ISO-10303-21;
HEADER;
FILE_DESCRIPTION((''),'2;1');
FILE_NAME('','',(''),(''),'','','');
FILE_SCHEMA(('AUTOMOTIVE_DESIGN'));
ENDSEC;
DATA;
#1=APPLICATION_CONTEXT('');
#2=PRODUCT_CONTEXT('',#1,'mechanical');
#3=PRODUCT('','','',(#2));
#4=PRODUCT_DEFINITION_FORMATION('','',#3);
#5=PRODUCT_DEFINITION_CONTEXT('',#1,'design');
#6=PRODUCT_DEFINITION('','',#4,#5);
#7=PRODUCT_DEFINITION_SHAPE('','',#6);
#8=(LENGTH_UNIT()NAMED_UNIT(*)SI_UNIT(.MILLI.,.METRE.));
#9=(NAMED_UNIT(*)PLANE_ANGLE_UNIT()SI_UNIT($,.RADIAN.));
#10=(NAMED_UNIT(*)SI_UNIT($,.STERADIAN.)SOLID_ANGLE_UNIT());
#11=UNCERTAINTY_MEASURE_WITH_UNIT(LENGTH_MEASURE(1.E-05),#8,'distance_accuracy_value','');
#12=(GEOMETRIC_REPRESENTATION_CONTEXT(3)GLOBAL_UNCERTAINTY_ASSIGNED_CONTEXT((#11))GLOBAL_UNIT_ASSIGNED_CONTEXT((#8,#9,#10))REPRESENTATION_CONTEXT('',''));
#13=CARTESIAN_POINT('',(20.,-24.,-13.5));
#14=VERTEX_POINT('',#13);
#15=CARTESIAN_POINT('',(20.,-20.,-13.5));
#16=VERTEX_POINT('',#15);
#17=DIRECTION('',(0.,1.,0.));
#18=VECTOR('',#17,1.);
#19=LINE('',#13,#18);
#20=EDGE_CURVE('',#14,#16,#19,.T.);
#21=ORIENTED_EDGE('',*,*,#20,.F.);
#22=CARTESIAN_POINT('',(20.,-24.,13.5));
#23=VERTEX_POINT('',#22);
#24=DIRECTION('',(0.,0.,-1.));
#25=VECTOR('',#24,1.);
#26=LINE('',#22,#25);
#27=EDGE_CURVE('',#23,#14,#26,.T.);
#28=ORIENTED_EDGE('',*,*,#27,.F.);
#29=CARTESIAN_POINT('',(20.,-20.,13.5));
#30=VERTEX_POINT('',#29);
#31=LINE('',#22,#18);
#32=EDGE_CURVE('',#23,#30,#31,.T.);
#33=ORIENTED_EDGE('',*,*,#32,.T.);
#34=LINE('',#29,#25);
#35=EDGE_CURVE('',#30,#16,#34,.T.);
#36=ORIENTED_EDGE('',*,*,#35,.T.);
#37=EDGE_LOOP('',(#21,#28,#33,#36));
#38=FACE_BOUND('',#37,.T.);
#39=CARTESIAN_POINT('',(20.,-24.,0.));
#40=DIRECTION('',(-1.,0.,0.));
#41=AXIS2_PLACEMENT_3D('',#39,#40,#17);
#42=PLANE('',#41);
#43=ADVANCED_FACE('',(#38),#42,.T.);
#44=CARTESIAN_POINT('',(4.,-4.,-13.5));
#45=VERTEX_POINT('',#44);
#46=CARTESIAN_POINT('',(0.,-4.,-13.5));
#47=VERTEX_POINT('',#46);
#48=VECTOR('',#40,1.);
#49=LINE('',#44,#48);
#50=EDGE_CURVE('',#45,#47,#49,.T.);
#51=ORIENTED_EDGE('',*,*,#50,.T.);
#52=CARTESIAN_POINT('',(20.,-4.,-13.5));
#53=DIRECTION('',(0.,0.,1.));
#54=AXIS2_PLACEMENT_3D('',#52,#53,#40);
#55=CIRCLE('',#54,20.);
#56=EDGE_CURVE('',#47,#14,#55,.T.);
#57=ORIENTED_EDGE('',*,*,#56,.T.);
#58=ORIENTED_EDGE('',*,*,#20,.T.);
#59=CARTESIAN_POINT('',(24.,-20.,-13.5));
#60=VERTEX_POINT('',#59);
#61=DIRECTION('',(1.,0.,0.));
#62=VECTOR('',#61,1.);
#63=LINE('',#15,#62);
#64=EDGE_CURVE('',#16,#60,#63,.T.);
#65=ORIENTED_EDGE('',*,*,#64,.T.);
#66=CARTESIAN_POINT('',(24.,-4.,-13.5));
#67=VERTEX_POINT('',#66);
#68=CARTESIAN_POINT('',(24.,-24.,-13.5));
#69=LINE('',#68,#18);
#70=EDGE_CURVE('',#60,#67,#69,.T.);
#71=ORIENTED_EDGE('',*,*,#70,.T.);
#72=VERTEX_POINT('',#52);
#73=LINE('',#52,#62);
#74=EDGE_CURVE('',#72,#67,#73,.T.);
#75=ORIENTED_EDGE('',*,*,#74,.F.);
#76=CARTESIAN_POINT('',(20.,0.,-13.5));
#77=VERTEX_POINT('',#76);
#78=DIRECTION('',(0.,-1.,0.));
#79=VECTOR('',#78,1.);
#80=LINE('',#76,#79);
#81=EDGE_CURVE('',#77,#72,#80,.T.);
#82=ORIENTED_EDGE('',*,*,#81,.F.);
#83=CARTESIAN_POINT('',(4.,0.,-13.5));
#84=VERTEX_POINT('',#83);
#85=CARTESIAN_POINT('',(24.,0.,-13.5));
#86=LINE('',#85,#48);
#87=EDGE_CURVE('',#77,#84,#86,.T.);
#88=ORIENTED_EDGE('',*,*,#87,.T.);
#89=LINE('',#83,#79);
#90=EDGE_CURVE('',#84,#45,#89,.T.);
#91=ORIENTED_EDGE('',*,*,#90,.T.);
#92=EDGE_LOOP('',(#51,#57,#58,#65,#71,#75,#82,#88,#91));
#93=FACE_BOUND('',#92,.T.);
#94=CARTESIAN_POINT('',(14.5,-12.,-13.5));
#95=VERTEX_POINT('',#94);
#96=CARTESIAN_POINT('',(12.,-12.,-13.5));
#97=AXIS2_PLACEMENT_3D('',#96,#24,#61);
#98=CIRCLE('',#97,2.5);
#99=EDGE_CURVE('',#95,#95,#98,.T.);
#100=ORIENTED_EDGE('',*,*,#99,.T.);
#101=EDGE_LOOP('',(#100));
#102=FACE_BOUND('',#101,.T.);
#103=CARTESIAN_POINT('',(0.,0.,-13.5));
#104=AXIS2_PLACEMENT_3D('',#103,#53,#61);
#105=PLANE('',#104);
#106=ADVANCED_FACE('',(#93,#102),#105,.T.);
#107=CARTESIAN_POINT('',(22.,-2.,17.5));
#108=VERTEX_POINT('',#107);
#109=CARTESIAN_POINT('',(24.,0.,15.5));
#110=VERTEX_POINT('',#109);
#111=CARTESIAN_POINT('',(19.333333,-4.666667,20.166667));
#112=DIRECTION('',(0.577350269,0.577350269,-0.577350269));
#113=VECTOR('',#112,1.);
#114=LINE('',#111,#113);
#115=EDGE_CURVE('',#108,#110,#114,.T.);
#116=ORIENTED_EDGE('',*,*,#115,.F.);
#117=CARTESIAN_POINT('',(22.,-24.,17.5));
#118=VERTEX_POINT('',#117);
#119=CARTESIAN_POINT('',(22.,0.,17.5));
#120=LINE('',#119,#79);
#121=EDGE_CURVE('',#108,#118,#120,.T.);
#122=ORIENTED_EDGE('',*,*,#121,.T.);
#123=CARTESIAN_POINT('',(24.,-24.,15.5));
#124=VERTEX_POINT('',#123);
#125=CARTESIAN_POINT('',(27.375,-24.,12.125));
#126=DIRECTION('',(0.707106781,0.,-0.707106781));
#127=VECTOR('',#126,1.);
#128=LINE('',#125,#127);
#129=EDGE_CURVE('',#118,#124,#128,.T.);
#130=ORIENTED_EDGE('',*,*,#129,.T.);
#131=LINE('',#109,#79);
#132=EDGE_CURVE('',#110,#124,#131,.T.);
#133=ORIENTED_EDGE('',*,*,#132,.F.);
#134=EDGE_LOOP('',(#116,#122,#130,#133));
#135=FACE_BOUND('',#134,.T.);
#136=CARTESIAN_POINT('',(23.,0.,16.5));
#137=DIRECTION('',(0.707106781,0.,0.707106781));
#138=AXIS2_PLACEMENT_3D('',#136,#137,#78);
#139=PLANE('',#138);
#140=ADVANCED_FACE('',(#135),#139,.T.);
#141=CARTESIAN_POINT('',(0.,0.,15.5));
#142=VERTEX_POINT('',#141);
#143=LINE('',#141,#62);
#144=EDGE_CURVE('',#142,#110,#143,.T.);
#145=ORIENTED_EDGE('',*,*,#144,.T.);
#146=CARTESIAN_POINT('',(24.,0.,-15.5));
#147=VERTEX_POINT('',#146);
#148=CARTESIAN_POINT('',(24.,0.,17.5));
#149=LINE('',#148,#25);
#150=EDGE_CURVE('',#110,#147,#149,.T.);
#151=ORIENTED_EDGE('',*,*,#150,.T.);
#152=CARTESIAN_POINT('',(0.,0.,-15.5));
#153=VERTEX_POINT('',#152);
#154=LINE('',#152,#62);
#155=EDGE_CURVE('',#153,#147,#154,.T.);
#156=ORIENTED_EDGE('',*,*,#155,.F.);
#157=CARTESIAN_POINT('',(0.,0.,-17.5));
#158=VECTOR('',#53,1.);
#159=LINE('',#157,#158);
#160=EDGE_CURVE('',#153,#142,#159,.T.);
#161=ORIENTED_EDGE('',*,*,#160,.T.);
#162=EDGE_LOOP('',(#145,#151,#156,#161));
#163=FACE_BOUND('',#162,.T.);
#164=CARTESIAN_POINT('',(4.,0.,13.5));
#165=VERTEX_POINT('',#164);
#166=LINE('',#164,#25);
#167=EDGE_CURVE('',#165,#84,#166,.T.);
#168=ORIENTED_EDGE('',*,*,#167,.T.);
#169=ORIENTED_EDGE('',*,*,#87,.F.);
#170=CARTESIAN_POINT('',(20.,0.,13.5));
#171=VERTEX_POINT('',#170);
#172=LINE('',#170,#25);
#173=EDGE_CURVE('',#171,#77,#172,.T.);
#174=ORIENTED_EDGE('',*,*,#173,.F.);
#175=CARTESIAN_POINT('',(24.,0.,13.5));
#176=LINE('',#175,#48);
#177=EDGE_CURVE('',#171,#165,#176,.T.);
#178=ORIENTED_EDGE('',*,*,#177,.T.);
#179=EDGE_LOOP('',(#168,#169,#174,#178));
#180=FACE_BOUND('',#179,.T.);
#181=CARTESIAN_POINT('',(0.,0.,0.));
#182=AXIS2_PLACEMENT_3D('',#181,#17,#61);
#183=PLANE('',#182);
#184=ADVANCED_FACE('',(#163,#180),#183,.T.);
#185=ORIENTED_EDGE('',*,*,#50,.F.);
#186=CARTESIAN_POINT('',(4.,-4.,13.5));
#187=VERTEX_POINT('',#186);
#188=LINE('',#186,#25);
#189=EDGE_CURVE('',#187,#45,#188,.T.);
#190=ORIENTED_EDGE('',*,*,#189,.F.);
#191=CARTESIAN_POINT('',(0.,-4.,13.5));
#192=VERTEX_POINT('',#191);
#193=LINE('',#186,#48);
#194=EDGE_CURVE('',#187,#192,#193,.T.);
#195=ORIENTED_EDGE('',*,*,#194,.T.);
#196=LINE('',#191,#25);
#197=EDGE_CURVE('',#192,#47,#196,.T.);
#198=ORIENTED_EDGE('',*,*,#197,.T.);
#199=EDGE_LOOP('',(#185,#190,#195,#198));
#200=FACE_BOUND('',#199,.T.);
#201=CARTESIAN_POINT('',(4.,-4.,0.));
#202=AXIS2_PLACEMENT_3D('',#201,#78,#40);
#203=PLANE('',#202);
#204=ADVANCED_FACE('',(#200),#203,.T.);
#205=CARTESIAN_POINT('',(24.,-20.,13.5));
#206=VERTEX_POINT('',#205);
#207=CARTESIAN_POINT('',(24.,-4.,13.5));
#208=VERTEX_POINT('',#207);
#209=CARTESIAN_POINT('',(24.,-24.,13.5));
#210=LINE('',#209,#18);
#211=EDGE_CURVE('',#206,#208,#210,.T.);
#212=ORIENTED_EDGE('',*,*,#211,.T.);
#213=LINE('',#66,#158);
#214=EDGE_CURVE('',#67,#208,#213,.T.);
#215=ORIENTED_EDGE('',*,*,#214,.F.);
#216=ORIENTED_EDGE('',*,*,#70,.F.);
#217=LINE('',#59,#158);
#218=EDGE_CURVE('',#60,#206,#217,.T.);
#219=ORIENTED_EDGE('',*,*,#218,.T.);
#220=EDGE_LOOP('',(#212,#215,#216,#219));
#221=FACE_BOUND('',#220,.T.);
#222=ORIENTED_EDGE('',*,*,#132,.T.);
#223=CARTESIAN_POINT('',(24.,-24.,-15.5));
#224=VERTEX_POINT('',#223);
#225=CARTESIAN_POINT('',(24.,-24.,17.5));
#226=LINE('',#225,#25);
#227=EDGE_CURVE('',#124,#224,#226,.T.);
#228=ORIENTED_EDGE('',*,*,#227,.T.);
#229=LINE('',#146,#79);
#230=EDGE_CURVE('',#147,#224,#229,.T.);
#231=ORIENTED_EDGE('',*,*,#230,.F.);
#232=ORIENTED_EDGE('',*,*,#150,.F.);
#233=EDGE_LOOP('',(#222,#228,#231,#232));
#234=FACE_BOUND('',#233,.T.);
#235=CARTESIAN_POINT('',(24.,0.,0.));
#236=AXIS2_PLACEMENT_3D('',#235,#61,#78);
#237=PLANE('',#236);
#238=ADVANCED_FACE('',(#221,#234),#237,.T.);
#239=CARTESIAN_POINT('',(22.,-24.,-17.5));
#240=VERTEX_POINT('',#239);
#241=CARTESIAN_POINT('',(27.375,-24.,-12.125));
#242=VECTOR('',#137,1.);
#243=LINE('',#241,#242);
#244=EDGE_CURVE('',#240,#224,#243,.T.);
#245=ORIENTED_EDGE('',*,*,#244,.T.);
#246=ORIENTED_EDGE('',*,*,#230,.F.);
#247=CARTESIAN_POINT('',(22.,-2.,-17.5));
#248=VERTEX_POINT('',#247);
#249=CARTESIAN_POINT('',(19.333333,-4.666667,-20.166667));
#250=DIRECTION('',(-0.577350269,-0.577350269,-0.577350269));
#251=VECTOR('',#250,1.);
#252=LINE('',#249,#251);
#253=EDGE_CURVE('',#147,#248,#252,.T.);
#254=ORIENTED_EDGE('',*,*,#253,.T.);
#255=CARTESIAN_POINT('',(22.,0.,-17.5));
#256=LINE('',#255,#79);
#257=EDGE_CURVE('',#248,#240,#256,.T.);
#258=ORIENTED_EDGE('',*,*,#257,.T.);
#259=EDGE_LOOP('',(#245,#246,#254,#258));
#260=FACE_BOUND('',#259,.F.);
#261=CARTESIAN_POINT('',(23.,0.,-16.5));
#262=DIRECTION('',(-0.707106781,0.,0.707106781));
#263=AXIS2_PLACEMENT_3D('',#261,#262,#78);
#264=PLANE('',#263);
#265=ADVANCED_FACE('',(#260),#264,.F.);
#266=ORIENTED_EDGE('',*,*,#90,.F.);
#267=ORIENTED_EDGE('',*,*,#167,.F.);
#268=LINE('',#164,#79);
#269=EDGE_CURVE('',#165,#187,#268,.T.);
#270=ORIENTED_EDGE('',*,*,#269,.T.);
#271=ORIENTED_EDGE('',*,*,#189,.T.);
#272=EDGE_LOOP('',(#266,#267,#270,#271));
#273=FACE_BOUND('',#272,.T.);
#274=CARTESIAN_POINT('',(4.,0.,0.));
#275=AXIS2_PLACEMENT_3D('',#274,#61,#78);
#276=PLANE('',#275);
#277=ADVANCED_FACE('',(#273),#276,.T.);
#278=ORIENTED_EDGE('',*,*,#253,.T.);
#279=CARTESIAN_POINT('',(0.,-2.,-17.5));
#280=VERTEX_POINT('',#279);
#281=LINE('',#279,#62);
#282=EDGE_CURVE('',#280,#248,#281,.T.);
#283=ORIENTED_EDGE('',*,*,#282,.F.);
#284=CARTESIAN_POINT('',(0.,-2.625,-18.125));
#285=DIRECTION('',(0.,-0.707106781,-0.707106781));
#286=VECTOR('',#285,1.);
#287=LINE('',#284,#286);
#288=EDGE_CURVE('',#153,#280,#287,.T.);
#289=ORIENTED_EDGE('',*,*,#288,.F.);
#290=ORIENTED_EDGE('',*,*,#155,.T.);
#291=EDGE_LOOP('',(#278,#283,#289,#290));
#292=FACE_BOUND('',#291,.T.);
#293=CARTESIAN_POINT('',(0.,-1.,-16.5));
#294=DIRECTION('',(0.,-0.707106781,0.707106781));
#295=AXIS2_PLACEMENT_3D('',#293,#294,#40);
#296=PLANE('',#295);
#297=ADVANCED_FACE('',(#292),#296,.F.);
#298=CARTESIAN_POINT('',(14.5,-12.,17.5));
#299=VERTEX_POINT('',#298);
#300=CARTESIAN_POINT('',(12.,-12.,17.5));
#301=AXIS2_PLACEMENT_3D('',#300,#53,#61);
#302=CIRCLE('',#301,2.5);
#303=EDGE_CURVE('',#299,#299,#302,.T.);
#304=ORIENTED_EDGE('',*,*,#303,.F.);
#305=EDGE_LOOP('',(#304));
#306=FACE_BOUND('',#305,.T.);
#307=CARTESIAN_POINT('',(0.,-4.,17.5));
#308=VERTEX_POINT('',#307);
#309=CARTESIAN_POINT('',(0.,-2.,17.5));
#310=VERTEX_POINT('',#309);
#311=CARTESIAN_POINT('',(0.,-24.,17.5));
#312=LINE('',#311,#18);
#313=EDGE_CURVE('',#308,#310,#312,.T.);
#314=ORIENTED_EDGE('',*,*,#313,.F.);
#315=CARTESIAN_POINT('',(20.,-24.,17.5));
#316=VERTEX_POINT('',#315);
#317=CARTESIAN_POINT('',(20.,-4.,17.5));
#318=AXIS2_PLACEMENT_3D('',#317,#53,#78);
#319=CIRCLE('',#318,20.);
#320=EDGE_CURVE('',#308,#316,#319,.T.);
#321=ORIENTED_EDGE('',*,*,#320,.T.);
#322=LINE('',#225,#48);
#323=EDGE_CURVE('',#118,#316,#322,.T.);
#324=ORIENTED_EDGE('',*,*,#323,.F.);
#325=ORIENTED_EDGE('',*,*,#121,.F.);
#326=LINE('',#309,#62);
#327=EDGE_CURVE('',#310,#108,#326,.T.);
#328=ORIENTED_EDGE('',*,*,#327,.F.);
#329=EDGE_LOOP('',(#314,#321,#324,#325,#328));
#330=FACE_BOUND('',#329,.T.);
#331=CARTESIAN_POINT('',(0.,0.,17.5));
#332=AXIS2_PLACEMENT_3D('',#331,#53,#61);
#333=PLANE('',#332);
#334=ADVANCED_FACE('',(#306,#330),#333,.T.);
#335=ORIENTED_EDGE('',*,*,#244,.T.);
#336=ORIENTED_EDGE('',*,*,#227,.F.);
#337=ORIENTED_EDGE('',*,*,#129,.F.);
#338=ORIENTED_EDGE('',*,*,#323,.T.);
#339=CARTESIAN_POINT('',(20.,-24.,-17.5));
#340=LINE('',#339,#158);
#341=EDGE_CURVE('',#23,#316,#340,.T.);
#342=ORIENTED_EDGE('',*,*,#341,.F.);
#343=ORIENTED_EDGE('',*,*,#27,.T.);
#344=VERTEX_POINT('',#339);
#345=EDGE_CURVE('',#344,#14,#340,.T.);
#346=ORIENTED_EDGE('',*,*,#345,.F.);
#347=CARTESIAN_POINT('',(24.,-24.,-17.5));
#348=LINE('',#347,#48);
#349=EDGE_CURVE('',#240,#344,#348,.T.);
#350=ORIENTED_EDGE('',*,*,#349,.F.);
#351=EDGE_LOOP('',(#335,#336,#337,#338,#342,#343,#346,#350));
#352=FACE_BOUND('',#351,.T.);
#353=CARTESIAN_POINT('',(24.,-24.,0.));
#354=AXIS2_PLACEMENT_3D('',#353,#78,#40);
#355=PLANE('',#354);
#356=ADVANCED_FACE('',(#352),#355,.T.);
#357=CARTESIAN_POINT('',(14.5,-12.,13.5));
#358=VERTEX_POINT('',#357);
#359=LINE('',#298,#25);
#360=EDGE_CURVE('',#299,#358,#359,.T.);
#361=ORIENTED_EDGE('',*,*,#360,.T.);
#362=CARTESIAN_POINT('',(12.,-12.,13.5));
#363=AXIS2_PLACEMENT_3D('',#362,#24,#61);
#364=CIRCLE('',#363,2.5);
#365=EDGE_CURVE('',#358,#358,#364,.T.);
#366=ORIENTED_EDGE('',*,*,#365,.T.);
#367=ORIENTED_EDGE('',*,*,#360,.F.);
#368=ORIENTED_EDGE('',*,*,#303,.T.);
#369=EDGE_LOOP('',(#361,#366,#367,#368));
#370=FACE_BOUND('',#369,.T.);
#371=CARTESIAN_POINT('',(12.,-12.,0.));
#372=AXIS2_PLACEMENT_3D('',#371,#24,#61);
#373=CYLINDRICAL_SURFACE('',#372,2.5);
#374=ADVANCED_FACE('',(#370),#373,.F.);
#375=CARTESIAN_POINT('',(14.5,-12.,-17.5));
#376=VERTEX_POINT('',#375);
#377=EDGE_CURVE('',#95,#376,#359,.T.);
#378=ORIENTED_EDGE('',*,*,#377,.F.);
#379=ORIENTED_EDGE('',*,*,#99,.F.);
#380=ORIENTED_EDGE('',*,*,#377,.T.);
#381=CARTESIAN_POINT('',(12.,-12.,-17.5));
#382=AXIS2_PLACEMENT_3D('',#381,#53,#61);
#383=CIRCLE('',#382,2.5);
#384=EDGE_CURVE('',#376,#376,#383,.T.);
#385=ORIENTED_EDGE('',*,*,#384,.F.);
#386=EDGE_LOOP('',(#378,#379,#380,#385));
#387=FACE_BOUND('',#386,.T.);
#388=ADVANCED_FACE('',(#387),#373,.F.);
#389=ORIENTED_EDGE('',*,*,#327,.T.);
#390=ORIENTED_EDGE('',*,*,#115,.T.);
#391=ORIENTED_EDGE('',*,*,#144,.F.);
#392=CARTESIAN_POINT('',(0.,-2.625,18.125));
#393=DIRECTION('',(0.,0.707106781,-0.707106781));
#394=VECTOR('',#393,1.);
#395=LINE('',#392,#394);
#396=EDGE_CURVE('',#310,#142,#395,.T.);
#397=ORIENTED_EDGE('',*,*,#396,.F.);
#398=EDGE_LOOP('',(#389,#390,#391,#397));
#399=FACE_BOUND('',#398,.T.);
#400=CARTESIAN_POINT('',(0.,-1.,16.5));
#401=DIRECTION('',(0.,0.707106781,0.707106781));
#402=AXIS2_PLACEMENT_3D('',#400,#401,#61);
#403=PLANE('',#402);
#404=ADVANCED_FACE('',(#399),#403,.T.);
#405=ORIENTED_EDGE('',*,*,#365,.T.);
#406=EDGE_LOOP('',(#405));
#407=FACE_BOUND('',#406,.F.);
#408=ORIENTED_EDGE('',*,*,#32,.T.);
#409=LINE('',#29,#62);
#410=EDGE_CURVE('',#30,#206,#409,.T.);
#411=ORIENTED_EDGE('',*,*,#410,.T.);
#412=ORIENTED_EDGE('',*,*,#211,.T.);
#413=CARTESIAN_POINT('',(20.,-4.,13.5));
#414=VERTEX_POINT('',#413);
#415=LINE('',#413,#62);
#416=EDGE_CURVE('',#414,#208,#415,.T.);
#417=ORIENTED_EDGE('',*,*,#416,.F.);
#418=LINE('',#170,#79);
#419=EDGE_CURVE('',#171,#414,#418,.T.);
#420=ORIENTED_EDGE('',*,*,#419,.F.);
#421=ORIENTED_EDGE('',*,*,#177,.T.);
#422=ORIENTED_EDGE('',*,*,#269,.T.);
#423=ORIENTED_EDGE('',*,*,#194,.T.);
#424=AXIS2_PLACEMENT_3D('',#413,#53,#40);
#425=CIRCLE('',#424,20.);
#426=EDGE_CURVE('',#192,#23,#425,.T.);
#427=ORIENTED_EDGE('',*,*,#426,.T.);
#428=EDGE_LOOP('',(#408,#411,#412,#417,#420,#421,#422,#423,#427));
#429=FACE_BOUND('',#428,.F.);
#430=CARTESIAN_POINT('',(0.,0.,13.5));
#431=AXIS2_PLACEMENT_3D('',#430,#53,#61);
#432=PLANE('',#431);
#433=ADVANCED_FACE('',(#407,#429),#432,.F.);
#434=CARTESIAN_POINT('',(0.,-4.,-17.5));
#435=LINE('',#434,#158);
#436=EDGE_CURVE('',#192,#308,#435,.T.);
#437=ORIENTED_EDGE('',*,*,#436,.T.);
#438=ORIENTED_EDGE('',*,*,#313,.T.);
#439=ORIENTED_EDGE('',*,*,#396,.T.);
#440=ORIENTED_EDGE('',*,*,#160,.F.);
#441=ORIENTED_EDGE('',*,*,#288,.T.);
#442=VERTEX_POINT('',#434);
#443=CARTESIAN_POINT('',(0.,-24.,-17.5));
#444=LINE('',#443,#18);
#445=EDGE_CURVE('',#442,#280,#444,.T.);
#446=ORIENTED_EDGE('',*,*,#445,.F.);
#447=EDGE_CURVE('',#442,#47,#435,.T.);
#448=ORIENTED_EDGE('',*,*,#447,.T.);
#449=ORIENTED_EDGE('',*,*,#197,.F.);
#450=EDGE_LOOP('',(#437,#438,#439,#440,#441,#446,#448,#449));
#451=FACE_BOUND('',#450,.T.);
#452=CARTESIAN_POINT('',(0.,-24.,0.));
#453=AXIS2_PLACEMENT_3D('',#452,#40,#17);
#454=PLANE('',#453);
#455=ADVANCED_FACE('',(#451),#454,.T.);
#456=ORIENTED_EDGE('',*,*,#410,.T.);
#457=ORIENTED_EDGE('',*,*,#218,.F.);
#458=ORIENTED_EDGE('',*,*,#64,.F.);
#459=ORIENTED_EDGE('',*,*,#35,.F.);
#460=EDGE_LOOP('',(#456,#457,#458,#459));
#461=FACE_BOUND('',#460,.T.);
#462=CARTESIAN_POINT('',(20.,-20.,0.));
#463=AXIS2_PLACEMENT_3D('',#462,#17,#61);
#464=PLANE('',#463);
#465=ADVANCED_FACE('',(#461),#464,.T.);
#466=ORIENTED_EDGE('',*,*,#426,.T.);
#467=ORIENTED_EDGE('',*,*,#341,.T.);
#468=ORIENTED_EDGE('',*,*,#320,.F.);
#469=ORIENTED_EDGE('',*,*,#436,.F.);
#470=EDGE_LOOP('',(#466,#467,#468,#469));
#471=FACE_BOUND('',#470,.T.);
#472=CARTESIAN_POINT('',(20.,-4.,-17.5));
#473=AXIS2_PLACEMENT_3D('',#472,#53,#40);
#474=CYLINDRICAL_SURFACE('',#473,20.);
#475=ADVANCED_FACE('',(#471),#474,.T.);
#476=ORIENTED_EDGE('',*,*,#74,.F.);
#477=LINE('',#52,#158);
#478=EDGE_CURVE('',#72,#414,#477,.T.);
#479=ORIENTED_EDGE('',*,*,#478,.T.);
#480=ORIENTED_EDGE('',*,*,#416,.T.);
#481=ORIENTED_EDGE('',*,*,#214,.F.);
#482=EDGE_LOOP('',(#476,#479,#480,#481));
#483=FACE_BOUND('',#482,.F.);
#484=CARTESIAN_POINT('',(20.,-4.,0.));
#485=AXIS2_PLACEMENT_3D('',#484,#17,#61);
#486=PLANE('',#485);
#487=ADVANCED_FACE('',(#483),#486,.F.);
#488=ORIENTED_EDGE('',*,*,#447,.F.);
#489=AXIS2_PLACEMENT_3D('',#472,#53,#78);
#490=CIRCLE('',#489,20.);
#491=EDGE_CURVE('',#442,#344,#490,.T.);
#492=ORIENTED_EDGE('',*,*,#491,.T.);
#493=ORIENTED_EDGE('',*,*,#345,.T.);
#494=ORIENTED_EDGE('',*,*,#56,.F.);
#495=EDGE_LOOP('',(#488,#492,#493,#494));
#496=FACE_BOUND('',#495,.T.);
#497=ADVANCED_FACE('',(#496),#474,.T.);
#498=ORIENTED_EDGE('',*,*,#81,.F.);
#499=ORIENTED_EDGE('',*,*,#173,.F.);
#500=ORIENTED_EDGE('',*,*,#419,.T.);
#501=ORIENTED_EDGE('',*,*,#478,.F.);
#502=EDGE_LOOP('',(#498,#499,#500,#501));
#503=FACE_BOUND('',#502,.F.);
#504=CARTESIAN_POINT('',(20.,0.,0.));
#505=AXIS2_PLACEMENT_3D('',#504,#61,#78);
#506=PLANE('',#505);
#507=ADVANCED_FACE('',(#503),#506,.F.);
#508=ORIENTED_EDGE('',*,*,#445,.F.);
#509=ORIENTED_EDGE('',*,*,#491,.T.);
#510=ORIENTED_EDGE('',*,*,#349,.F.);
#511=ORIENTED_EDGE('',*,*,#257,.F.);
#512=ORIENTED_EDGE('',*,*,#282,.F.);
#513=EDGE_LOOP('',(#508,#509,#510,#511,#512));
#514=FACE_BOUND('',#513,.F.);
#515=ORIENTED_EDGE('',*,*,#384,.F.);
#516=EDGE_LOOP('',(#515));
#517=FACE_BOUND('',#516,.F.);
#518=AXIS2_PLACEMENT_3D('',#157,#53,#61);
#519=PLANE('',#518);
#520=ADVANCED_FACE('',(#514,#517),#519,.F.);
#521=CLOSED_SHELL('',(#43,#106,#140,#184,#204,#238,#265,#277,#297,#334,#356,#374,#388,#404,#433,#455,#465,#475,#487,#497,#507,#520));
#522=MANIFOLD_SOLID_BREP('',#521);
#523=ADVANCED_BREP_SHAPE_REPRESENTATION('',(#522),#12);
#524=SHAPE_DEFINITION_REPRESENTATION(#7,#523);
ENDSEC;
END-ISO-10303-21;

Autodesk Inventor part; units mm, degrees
ref_plane "YZ Plane" through (0, 0, 0) normal (1, 0, 0) x (0, 1, 0)
ref_plane "XZ Plane" through (0, 0, 0) normal (0, 1, 0) x (-1, 0, 0)
sketch "스케치1" plane through (0, 0, 0) normal (0, 0, 1) x (1, 0, 0)
  line L0 (0, 0) -> (24, 0)
  line L1 (24, 0) -> (24, -24)
  line L2 (24, -24) -> (0, -24)
  line L3 (0, -24) -> (0, 0)
  circle A0 centre (12, -12) radius 2.5
  dimension "d0" = 24
  dimension "d1" = 24
  dimension "d2" = 5
  dimension "d3" = 12
  dimension "d4" = 12
extrude "돌출1" add sketch "스케치1" along normal mid plane 35
fillet "모깎기1" radius 20 1 edges at (0, -24, 0)
chamfer "모따기1" distance 2 angle 45 4 edges at (12, 0, 17.5) (12, 0, -17.5) (24, -12, 17.5) (24, -12, -17.5)
ref_plane "작업 평면1" through (0, 0, 0) normal (0, 0, 1) x (1, 0, 0)
sketch "스케치2" plane through (0, 0, 0) normal (0, 0, 1) x (1, 0, 0)
  line L0 (24, -24) -> (24, 0) projected
  line L1 (24, 0) -> (20, 0)
  line L2 (20, 0) -> (20, -4)
  line L3 (20, -4) -> (24, -4)
  line L4 (24, -4) -> (24, 0)
  line L5 (0, 0) -> (0, -2) projected
  line L6 (0, 0) -> (4, 0)
  line L7 (4, 0) -> (4, -4)
  line L8 (4, -4) -> (0, -4)
  line L9 (0, -4) -> (0, 0)
  line L10 (22, -24) -> (24, -24) projected
  line L11 (24, -24) -> (20, -24)
  line L12 (20, -24) -> (20, -20)
  line L13 (20, -20) -> (24, -20)
  line L14 (24, -20) -> (24, -24)
  line L15 (22, -2) -> (24, 0) projected
  line L16 (24, 0) -> (0, 0)
  line L17 (0, 0) -> (0, -24)
  line L18 (0, -24) -> (24, -24)
  line L19 (24, -24) -> (24, 0)
  dimension "d11" = 4
  dimension "d12" = 4
  dimension "d13" = 4
  dimension "d14" = 4
  dimension "d15" = 4
extrude "돌출2" cut sketch "스케치2" along normal mid plane 27 contours L13 L12 L18 L17 L8 L7 L16 L2 L3 L0
properties part number "16-1"
